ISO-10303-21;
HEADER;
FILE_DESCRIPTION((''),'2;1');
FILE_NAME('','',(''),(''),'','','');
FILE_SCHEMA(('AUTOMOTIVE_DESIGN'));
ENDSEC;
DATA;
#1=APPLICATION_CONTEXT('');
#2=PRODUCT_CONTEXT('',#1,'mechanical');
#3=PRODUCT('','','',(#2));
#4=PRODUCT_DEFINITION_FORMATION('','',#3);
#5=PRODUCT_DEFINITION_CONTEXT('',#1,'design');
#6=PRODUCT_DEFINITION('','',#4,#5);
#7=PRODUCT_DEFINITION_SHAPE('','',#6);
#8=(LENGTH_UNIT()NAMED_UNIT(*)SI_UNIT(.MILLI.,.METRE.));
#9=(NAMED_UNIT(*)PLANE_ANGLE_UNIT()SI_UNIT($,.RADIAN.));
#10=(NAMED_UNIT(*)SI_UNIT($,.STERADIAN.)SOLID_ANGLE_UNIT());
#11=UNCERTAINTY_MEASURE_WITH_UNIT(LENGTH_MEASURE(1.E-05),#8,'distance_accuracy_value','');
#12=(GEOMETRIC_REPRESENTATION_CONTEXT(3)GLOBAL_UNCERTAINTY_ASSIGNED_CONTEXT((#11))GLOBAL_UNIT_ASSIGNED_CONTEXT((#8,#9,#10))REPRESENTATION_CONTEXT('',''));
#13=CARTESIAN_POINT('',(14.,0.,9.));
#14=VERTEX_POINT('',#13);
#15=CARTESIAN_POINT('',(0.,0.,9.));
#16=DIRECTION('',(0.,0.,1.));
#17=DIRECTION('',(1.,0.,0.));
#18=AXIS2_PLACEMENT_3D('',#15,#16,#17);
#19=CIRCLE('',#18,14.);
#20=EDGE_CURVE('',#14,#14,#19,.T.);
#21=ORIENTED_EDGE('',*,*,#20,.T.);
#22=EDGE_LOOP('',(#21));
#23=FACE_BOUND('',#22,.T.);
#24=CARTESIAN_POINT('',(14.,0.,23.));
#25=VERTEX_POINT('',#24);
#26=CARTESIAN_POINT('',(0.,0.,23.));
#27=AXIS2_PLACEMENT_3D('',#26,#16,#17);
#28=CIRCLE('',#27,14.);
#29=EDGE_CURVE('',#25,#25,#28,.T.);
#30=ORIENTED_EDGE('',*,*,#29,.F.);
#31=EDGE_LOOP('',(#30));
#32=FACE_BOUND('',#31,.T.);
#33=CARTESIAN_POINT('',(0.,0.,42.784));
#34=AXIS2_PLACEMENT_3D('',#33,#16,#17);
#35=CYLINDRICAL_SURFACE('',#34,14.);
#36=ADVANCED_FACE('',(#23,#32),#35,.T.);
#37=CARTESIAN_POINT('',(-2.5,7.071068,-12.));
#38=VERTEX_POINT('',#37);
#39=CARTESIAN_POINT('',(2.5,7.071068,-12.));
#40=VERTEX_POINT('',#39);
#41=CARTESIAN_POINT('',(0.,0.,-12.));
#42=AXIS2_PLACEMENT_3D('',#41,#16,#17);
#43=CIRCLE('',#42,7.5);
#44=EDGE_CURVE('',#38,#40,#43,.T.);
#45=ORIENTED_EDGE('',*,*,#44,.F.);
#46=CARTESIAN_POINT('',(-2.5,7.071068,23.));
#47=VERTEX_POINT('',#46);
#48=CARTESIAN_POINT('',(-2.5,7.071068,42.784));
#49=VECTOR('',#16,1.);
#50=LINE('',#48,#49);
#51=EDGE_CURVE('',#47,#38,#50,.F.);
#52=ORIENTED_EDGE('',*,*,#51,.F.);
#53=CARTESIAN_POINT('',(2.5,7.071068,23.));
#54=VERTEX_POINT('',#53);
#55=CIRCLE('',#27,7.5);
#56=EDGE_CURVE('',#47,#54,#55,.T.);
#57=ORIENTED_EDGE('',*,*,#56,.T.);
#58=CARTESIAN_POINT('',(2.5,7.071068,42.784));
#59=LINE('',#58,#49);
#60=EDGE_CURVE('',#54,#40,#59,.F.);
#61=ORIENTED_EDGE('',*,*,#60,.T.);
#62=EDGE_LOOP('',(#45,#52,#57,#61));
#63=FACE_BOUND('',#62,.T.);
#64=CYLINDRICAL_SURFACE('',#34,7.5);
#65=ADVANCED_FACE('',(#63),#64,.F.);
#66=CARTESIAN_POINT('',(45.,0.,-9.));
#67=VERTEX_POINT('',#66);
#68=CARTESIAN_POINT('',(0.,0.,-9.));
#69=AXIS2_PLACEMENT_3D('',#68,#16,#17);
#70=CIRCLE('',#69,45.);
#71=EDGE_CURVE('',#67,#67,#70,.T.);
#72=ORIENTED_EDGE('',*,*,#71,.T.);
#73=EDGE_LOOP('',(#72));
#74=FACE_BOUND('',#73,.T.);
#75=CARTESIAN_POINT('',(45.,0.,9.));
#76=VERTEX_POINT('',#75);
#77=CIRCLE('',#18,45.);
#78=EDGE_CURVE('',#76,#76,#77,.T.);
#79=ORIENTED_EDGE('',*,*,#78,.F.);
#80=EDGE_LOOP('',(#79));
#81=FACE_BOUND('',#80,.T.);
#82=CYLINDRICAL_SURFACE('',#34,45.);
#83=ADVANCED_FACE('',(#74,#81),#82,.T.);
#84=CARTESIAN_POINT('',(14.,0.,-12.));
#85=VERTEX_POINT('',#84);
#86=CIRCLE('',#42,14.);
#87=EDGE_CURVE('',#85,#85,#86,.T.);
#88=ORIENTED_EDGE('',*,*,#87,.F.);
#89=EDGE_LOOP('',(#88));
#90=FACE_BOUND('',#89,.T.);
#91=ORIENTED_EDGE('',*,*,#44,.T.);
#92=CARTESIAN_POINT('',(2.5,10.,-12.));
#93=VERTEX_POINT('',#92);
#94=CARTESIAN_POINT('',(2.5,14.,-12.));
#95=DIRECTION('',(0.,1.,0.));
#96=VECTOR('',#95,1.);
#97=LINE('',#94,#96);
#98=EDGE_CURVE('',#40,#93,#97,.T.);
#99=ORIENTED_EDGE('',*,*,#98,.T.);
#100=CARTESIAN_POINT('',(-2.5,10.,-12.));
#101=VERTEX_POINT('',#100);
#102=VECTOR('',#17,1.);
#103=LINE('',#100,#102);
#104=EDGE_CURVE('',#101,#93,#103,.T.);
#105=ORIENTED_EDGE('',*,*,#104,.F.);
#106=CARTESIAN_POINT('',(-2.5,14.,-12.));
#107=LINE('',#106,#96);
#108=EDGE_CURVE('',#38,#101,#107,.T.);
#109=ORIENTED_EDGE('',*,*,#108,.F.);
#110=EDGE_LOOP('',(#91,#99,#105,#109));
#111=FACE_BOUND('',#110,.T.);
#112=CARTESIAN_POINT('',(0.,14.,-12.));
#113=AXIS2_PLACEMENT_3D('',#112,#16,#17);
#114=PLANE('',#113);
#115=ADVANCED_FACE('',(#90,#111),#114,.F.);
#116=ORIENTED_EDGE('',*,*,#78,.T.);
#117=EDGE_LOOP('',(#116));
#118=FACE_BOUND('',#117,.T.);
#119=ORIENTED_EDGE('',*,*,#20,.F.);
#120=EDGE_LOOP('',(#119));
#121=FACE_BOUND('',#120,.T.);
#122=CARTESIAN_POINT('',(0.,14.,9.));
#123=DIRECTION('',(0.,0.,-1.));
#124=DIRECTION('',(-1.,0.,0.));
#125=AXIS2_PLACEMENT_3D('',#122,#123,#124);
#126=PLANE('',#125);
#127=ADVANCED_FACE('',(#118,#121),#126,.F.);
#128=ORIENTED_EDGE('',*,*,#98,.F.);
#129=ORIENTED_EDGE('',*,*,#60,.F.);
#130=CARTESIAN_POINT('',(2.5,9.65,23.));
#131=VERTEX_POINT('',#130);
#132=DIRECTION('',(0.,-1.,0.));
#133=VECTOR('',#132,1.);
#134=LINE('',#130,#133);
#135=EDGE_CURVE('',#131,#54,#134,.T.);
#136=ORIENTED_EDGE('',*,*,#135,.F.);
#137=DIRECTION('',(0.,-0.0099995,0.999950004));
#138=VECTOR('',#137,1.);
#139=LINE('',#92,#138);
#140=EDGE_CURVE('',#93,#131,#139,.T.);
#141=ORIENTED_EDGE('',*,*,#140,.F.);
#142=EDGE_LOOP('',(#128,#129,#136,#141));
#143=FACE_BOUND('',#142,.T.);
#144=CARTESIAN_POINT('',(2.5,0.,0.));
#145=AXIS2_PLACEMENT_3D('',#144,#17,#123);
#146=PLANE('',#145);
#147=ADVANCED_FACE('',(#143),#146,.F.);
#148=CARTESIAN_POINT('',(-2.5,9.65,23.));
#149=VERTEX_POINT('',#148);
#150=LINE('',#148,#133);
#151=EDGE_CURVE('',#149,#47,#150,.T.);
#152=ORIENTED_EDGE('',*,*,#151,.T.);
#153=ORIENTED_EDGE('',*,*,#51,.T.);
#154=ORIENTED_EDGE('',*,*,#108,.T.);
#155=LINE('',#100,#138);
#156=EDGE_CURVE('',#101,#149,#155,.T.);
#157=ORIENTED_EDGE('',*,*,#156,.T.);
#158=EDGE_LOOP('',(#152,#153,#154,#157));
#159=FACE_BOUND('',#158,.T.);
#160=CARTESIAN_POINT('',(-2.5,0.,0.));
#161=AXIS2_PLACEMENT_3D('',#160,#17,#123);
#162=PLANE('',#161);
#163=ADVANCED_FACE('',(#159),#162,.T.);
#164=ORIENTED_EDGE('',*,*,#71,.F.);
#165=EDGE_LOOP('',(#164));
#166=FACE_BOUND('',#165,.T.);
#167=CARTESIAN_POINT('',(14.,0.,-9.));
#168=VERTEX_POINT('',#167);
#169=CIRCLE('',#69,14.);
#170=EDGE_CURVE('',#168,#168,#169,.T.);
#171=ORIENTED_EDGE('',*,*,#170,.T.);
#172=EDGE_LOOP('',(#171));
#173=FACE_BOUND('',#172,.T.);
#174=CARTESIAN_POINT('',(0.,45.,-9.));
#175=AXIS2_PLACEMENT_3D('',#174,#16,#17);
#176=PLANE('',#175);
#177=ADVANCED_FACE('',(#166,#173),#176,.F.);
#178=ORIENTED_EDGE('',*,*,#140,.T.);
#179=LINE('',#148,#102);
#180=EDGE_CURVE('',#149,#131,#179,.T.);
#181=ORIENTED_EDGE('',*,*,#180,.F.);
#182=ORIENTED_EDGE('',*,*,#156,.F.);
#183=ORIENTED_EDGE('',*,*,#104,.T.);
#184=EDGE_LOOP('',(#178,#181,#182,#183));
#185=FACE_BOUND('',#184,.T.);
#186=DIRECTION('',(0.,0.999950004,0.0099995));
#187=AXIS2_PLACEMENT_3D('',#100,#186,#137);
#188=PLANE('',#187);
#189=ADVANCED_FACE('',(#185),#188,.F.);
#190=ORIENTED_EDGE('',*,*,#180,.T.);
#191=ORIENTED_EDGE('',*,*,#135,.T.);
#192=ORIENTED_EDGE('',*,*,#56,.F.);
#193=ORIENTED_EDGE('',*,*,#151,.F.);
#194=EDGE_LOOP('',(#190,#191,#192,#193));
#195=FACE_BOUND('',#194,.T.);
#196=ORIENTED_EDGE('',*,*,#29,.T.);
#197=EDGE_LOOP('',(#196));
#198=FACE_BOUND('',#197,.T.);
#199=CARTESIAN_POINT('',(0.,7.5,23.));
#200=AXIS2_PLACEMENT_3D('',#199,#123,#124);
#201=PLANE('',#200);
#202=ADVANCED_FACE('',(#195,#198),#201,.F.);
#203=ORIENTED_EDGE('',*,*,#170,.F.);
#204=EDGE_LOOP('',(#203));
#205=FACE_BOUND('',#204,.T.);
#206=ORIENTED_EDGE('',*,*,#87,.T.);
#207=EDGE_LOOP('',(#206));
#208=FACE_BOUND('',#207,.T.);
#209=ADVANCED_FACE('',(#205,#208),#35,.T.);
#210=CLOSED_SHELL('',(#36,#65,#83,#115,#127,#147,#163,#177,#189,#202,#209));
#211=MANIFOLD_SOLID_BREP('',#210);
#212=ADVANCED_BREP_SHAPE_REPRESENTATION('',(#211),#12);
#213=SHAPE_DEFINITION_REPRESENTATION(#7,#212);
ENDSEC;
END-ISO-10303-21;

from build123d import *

# Parameters (mm, degrees)
CUT_EXTRUDE1_DEPTH = 2.5


with BuildPart() as part:
    # Sketch1 → Revolve1 (revolve)
    with BuildSketch(Plane(origin=(0, 0, 0), x_dir=(0, 0, -1), z_dir=(1, 0, 0)), mode=Mode.PRIVATE) as revolve1_sk:
        Polygon((-23, 7.5), (-23, 14), (-9, 14), (-9, 45), (9, 45), (9, 14), (12, 14), (12, 7.5), align=None)
    revolve(revolve1_sk.sketch.rotate(Axis((0, 0, 42.784), (0, 0, -1)), 90), axis=Axis((0, 0, 42.784), (0, 0, -1)))

    # Sketch2 → Cut-Extrude1 (cut, symmetric)
    with BuildSketch(Plane(origin=(0, 0, 0), x_dir=(0, 0, -1), z_dir=(1, 0, 0))):
        Polygon((-23, 9.65), (-23, 5), (12, 5), (12, 10), align=None)
    extrude(amount=CUT_EXTRUDE1_DEPTH, both=True, mode=Mode.SUBTRACT)


solid = part.part
